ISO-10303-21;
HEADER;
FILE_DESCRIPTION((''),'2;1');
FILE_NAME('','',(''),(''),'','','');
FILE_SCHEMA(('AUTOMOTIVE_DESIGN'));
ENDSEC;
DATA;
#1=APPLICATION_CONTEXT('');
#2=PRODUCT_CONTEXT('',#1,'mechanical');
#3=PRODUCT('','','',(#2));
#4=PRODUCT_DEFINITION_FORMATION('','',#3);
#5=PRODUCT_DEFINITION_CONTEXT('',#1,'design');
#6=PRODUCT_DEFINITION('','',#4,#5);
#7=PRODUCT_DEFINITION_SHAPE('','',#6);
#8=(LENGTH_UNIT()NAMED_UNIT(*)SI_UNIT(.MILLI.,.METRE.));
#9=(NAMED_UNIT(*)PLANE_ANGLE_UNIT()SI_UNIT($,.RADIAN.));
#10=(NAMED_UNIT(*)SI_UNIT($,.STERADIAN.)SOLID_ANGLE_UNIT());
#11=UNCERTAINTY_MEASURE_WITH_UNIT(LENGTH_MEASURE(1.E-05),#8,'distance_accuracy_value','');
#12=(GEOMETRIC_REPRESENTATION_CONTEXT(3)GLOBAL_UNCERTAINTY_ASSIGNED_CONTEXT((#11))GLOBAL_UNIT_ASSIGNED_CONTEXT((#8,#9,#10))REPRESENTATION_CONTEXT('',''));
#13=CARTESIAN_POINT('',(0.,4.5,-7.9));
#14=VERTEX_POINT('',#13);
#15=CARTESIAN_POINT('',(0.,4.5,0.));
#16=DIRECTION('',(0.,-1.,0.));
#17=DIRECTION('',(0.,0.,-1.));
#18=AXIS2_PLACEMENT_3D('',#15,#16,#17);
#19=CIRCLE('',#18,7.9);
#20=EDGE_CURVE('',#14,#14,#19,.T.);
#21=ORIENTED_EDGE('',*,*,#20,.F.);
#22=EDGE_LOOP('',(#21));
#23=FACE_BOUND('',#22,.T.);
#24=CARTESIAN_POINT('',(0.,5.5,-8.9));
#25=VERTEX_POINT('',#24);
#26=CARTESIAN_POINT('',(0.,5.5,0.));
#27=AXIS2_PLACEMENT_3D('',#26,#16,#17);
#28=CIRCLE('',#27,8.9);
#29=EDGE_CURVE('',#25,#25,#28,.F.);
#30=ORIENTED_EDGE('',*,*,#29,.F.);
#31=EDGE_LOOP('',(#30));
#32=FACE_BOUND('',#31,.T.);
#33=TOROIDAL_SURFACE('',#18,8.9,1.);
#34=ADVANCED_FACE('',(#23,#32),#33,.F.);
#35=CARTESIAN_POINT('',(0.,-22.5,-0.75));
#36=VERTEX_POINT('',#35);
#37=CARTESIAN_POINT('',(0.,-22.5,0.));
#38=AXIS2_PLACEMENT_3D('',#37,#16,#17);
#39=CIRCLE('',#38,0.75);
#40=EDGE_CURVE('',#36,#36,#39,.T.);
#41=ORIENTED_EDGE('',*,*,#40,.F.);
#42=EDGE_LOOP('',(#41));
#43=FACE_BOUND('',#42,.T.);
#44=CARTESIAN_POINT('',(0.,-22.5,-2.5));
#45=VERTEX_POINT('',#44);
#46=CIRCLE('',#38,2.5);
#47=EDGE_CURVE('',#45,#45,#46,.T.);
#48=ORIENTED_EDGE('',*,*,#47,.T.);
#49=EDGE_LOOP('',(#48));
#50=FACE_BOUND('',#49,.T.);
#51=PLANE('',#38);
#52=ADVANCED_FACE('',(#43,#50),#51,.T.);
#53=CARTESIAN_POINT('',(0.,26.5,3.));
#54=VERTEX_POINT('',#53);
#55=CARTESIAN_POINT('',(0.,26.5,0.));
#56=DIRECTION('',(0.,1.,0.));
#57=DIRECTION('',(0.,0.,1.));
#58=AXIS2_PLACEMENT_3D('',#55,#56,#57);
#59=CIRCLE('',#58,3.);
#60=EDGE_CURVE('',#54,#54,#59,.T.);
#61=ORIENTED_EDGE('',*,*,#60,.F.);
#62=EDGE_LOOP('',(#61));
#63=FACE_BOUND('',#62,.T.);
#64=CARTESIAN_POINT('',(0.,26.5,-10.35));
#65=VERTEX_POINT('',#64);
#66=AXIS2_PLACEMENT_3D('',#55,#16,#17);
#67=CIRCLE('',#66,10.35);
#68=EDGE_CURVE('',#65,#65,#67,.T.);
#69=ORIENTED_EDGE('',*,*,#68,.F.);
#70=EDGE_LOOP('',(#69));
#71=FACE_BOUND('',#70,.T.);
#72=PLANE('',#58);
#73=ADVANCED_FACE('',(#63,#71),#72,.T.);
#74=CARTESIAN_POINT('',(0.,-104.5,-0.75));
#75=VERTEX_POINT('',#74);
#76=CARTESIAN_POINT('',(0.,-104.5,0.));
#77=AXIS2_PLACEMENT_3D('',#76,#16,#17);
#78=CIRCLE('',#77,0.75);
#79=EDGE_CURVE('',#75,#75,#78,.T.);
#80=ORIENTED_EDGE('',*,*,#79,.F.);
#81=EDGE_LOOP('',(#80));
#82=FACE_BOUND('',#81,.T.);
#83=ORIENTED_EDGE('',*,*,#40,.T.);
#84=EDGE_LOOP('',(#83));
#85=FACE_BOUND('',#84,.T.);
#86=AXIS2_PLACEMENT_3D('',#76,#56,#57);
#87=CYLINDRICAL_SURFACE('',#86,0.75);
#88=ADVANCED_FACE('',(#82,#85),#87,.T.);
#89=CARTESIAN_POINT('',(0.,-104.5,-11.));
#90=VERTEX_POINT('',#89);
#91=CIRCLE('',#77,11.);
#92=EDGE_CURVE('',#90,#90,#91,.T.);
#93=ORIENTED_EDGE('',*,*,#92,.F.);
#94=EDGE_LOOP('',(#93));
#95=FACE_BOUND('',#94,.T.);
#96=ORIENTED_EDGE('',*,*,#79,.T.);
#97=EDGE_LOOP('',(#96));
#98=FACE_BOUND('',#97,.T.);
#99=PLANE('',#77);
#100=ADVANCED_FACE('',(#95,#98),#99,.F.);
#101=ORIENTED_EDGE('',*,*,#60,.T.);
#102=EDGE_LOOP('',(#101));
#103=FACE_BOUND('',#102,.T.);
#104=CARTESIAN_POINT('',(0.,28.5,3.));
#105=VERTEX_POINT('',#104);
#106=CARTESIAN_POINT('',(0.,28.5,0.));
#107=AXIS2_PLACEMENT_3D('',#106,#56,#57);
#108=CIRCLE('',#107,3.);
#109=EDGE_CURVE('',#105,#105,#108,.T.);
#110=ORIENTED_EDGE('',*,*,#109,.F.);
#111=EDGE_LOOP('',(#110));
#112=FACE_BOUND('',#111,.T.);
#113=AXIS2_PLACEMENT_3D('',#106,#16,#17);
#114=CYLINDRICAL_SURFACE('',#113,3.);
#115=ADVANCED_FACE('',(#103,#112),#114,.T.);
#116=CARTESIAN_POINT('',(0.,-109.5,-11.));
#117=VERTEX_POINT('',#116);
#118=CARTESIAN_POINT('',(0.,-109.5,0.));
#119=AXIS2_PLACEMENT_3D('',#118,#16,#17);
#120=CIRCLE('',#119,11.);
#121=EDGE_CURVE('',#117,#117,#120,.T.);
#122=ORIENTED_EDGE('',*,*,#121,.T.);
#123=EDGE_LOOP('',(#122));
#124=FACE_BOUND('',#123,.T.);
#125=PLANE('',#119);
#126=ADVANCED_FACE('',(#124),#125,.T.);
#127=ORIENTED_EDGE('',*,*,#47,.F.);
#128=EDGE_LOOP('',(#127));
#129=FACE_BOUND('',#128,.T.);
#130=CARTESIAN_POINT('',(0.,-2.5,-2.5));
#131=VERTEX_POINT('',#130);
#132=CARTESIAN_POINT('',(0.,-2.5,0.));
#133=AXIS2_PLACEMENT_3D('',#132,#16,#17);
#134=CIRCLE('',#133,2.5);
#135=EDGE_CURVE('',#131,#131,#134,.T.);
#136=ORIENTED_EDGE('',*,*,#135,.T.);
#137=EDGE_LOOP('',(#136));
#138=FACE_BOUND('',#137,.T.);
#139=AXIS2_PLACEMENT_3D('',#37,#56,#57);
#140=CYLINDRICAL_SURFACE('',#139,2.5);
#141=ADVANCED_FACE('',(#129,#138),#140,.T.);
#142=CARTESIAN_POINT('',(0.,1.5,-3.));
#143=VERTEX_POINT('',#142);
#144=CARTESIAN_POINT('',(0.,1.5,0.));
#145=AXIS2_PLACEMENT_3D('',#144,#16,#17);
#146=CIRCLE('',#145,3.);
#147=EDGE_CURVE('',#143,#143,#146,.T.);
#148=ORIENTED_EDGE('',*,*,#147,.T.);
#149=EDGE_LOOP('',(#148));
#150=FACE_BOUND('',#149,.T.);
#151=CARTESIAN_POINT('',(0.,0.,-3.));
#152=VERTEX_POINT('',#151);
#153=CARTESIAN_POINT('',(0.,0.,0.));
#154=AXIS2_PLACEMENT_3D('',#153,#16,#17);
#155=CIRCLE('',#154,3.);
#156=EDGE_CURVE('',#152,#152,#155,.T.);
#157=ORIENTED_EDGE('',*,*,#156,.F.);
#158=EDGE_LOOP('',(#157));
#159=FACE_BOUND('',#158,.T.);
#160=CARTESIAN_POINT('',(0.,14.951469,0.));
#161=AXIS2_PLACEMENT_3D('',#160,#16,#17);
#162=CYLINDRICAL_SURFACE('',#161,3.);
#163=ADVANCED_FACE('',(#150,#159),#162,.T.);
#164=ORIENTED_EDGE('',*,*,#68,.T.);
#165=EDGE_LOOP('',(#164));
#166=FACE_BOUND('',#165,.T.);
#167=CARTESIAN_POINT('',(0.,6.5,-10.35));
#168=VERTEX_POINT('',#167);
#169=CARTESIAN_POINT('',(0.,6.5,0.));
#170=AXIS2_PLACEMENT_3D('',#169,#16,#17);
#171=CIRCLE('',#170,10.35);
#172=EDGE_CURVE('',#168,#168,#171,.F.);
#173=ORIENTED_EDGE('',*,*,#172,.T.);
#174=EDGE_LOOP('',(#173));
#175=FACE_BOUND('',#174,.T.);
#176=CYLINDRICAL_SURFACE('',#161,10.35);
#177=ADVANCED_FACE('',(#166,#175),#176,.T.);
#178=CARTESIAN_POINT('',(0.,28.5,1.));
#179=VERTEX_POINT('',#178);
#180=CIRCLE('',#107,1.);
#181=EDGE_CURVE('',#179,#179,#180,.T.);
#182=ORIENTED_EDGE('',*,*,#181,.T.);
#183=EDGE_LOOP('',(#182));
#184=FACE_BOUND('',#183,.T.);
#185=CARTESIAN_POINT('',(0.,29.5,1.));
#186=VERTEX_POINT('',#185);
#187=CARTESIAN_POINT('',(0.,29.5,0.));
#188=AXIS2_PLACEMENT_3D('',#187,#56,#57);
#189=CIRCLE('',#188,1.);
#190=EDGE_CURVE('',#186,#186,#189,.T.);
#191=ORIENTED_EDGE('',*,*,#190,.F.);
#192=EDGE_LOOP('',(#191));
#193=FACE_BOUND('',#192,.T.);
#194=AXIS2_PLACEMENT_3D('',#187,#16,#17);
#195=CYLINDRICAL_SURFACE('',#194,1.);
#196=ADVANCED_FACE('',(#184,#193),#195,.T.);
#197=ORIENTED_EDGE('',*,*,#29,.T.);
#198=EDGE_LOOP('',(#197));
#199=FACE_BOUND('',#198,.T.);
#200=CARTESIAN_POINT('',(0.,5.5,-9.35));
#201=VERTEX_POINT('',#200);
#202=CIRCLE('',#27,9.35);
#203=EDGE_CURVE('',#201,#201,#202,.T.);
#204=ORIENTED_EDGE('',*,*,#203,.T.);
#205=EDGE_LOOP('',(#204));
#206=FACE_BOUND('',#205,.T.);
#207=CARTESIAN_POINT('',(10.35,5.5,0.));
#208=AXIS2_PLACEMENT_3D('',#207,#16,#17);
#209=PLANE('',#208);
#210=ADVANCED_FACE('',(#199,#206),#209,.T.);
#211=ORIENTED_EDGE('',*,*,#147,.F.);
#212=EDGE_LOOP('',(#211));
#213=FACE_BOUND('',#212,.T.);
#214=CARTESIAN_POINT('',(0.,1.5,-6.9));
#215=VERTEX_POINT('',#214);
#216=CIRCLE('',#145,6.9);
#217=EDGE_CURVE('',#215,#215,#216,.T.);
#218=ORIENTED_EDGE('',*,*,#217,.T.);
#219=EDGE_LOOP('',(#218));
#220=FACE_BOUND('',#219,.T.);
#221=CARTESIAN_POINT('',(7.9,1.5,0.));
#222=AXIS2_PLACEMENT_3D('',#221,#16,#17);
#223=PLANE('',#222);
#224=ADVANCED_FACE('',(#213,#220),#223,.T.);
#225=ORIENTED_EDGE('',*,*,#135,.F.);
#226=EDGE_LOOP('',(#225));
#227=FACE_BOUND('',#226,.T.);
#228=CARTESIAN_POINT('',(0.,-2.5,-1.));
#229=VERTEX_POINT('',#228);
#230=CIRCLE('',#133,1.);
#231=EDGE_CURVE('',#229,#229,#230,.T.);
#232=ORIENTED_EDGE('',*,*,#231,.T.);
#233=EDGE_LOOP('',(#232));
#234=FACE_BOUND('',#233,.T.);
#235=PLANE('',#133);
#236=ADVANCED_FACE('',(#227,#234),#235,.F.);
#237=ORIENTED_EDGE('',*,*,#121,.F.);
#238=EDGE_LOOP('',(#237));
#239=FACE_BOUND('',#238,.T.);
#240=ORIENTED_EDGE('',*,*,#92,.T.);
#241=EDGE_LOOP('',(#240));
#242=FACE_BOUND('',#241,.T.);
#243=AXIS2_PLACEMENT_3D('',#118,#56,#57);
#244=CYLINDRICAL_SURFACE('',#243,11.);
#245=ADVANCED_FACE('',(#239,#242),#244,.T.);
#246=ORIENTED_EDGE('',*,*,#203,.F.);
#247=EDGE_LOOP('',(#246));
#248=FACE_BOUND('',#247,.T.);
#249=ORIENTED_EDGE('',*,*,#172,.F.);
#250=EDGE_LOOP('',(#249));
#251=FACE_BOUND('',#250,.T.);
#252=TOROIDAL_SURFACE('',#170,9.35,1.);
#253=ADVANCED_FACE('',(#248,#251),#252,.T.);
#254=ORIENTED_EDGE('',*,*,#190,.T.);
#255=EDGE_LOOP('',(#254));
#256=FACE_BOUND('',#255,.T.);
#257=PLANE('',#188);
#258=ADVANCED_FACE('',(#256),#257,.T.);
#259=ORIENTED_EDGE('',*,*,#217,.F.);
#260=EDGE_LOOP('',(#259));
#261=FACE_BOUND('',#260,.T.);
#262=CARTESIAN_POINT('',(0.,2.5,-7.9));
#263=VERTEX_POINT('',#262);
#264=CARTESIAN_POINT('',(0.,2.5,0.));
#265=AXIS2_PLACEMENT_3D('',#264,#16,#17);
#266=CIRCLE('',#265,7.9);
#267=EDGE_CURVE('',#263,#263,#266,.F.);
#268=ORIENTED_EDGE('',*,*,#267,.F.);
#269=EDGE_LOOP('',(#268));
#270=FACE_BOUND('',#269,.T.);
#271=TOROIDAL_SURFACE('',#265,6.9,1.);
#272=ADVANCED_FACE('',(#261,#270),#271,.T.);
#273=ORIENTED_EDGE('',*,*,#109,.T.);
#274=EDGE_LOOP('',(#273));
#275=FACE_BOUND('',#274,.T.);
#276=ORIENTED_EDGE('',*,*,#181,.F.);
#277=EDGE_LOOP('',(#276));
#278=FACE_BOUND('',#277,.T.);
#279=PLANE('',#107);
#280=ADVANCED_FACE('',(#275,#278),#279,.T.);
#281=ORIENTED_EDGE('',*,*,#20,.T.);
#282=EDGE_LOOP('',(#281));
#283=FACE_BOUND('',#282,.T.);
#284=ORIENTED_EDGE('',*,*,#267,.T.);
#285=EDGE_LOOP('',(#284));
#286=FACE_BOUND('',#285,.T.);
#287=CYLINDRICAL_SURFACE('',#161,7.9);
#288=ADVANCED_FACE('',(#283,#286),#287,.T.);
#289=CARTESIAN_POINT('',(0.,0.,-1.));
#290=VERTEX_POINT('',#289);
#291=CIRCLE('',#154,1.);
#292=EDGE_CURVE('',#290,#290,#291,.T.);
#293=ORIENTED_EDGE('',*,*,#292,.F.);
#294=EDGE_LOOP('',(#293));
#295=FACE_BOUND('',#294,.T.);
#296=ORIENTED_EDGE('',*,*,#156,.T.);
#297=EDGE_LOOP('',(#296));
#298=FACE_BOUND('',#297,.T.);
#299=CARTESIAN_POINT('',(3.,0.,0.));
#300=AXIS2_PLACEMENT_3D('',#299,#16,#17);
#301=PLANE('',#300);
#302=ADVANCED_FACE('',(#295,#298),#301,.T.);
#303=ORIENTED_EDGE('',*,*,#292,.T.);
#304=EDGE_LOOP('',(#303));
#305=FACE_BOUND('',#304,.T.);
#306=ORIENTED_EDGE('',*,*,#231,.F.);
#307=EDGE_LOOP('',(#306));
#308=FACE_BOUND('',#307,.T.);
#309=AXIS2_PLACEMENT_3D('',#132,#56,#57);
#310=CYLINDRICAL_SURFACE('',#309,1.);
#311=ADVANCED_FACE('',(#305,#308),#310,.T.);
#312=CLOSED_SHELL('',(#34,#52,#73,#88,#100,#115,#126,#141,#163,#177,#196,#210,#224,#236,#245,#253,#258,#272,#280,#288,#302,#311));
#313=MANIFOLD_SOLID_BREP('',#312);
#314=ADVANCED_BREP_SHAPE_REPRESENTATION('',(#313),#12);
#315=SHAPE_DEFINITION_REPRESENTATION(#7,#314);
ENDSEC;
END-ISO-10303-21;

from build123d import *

# Parameters (mm, degrees)
CROQUIS2_R              = 3
SALIENTE_EXTRUIR1_DEPTH = 2
CROQUIS3_R              = 1
SALIENTE_EXTRUIR2_DEPTH = 1
SALIENTE_EXTRUIR3_START = 2.5
CROQUIS4_R              = 1
SALIENTE_EXTRUIR3_DEPTH = 2.5
CROQUIS5_R              = 2.5
SALIENTE_EXTRUIR4_DEPTH = 20
CROQUIS6_R              = 0.75
SALIENTE_EXTRUIR5_DEPTH = 82
CROQUIS7_R              = 11
SALIENTE_EXTRUIR6_DEPTH = 5
REDONDEO1_R             = 1


with BuildPart() as part:
    # Croquis1 → Revolución1 (revolve)
    with BuildSketch(Plane.XY, mode=Mode.PRIVATE) as revoluci_n1_sk:
        Polygon((0, 0), (0, 26.5), (10.35, 26.5), (10.35, 5.5), (7.9, 5.5), (7.9, 1.5), (3, 1.5), (3, 0), align=None)
    revolve(revoluci_n1_sk.sketch.rotate(Axis((0, 14.951468567, 0), (0, 1, 0)), 90), axis=Axis((0, 14.951468567, 0), (0, 1, 0)))

    # Croquis2 → Saliente-Extruir1 (add)
    with BuildSketch(Plane(origin=(0, 26.5, 0), x_dir=(1, 0, 0), z_dir=(0, 1, 0))):
        with Locations(Location((0, 0, 0), (0, 0, 90))):
            Circle(CROQUIS2_R)
    extrude(amount=SALIENTE_EXTRUIR1_DEPTH)

    # Croquis3 → Saliente-Extruir2 (add)
    with BuildSketch(Plane(origin=(0, 28.5, 0), x_dir=(1, 0, 0), z_dir=(0, 1, 0))):
        with Locations(Location((0, 0, 0), (0, 0, 270))):
            Circle(CROQUIS3_R)
    extrude(amount=SALIENTE_EXTRUIR2_DEPTH)

    # Croquis4 → Saliente-Extruir3 (add)
    with BuildSketch(Plane.XZ.offset(SALIENTE_EXTRUIR3_START)):
        with Locations(Location((0, 0, 0), (0, 0, 90))):
            Circle(CROQUIS4_R)
    extrude(amount=-SALIENTE_EXTRUIR3_DEPTH)

    # Croquis5 → Saliente-Extruir4 (add)
    with BuildSketch(Plane.XZ.offset(2.5)):
        with Locations(Location((0, 0, 0), (0, 0, 270))):
            Circle(CROQUIS5_R)
    extrude(amount=SALIENTE_EXTRUIR4_DEPTH)

    # Croquis6 → Saliente-Extruir5 (add)
    with BuildSketch(Plane.XZ.offset(22.5)):
        with Locations(Location((0, 0, 0), (0, 0, 270))):
            Circle(CROQUIS6_R)
    extrude(amount=SALIENTE_EXTRUIR5_DEPTH)

    # Croquis7 → Saliente-Extruir6 (add)
    with BuildSketch(Plane.XZ.offset(104.5)):
        with Locations(Location((0, 0, 0), (0, 0, 270))):
            Circle(CROQUIS7_R)
    extrude(amount=SALIENTE_EXTRUIR6_DEPTH)

    # Redondeo1
    redondeo1_edges = [part.edges().sort_by_distance(p)[0] for p in [
        (0, 1.5, 7.9),
        (0, 5.5, 7.9),
        (0, 5.5, 10.35),
    ]]
    fillet(redondeo1_edges, radius=REDONDEO1_R)


solid = part.part
